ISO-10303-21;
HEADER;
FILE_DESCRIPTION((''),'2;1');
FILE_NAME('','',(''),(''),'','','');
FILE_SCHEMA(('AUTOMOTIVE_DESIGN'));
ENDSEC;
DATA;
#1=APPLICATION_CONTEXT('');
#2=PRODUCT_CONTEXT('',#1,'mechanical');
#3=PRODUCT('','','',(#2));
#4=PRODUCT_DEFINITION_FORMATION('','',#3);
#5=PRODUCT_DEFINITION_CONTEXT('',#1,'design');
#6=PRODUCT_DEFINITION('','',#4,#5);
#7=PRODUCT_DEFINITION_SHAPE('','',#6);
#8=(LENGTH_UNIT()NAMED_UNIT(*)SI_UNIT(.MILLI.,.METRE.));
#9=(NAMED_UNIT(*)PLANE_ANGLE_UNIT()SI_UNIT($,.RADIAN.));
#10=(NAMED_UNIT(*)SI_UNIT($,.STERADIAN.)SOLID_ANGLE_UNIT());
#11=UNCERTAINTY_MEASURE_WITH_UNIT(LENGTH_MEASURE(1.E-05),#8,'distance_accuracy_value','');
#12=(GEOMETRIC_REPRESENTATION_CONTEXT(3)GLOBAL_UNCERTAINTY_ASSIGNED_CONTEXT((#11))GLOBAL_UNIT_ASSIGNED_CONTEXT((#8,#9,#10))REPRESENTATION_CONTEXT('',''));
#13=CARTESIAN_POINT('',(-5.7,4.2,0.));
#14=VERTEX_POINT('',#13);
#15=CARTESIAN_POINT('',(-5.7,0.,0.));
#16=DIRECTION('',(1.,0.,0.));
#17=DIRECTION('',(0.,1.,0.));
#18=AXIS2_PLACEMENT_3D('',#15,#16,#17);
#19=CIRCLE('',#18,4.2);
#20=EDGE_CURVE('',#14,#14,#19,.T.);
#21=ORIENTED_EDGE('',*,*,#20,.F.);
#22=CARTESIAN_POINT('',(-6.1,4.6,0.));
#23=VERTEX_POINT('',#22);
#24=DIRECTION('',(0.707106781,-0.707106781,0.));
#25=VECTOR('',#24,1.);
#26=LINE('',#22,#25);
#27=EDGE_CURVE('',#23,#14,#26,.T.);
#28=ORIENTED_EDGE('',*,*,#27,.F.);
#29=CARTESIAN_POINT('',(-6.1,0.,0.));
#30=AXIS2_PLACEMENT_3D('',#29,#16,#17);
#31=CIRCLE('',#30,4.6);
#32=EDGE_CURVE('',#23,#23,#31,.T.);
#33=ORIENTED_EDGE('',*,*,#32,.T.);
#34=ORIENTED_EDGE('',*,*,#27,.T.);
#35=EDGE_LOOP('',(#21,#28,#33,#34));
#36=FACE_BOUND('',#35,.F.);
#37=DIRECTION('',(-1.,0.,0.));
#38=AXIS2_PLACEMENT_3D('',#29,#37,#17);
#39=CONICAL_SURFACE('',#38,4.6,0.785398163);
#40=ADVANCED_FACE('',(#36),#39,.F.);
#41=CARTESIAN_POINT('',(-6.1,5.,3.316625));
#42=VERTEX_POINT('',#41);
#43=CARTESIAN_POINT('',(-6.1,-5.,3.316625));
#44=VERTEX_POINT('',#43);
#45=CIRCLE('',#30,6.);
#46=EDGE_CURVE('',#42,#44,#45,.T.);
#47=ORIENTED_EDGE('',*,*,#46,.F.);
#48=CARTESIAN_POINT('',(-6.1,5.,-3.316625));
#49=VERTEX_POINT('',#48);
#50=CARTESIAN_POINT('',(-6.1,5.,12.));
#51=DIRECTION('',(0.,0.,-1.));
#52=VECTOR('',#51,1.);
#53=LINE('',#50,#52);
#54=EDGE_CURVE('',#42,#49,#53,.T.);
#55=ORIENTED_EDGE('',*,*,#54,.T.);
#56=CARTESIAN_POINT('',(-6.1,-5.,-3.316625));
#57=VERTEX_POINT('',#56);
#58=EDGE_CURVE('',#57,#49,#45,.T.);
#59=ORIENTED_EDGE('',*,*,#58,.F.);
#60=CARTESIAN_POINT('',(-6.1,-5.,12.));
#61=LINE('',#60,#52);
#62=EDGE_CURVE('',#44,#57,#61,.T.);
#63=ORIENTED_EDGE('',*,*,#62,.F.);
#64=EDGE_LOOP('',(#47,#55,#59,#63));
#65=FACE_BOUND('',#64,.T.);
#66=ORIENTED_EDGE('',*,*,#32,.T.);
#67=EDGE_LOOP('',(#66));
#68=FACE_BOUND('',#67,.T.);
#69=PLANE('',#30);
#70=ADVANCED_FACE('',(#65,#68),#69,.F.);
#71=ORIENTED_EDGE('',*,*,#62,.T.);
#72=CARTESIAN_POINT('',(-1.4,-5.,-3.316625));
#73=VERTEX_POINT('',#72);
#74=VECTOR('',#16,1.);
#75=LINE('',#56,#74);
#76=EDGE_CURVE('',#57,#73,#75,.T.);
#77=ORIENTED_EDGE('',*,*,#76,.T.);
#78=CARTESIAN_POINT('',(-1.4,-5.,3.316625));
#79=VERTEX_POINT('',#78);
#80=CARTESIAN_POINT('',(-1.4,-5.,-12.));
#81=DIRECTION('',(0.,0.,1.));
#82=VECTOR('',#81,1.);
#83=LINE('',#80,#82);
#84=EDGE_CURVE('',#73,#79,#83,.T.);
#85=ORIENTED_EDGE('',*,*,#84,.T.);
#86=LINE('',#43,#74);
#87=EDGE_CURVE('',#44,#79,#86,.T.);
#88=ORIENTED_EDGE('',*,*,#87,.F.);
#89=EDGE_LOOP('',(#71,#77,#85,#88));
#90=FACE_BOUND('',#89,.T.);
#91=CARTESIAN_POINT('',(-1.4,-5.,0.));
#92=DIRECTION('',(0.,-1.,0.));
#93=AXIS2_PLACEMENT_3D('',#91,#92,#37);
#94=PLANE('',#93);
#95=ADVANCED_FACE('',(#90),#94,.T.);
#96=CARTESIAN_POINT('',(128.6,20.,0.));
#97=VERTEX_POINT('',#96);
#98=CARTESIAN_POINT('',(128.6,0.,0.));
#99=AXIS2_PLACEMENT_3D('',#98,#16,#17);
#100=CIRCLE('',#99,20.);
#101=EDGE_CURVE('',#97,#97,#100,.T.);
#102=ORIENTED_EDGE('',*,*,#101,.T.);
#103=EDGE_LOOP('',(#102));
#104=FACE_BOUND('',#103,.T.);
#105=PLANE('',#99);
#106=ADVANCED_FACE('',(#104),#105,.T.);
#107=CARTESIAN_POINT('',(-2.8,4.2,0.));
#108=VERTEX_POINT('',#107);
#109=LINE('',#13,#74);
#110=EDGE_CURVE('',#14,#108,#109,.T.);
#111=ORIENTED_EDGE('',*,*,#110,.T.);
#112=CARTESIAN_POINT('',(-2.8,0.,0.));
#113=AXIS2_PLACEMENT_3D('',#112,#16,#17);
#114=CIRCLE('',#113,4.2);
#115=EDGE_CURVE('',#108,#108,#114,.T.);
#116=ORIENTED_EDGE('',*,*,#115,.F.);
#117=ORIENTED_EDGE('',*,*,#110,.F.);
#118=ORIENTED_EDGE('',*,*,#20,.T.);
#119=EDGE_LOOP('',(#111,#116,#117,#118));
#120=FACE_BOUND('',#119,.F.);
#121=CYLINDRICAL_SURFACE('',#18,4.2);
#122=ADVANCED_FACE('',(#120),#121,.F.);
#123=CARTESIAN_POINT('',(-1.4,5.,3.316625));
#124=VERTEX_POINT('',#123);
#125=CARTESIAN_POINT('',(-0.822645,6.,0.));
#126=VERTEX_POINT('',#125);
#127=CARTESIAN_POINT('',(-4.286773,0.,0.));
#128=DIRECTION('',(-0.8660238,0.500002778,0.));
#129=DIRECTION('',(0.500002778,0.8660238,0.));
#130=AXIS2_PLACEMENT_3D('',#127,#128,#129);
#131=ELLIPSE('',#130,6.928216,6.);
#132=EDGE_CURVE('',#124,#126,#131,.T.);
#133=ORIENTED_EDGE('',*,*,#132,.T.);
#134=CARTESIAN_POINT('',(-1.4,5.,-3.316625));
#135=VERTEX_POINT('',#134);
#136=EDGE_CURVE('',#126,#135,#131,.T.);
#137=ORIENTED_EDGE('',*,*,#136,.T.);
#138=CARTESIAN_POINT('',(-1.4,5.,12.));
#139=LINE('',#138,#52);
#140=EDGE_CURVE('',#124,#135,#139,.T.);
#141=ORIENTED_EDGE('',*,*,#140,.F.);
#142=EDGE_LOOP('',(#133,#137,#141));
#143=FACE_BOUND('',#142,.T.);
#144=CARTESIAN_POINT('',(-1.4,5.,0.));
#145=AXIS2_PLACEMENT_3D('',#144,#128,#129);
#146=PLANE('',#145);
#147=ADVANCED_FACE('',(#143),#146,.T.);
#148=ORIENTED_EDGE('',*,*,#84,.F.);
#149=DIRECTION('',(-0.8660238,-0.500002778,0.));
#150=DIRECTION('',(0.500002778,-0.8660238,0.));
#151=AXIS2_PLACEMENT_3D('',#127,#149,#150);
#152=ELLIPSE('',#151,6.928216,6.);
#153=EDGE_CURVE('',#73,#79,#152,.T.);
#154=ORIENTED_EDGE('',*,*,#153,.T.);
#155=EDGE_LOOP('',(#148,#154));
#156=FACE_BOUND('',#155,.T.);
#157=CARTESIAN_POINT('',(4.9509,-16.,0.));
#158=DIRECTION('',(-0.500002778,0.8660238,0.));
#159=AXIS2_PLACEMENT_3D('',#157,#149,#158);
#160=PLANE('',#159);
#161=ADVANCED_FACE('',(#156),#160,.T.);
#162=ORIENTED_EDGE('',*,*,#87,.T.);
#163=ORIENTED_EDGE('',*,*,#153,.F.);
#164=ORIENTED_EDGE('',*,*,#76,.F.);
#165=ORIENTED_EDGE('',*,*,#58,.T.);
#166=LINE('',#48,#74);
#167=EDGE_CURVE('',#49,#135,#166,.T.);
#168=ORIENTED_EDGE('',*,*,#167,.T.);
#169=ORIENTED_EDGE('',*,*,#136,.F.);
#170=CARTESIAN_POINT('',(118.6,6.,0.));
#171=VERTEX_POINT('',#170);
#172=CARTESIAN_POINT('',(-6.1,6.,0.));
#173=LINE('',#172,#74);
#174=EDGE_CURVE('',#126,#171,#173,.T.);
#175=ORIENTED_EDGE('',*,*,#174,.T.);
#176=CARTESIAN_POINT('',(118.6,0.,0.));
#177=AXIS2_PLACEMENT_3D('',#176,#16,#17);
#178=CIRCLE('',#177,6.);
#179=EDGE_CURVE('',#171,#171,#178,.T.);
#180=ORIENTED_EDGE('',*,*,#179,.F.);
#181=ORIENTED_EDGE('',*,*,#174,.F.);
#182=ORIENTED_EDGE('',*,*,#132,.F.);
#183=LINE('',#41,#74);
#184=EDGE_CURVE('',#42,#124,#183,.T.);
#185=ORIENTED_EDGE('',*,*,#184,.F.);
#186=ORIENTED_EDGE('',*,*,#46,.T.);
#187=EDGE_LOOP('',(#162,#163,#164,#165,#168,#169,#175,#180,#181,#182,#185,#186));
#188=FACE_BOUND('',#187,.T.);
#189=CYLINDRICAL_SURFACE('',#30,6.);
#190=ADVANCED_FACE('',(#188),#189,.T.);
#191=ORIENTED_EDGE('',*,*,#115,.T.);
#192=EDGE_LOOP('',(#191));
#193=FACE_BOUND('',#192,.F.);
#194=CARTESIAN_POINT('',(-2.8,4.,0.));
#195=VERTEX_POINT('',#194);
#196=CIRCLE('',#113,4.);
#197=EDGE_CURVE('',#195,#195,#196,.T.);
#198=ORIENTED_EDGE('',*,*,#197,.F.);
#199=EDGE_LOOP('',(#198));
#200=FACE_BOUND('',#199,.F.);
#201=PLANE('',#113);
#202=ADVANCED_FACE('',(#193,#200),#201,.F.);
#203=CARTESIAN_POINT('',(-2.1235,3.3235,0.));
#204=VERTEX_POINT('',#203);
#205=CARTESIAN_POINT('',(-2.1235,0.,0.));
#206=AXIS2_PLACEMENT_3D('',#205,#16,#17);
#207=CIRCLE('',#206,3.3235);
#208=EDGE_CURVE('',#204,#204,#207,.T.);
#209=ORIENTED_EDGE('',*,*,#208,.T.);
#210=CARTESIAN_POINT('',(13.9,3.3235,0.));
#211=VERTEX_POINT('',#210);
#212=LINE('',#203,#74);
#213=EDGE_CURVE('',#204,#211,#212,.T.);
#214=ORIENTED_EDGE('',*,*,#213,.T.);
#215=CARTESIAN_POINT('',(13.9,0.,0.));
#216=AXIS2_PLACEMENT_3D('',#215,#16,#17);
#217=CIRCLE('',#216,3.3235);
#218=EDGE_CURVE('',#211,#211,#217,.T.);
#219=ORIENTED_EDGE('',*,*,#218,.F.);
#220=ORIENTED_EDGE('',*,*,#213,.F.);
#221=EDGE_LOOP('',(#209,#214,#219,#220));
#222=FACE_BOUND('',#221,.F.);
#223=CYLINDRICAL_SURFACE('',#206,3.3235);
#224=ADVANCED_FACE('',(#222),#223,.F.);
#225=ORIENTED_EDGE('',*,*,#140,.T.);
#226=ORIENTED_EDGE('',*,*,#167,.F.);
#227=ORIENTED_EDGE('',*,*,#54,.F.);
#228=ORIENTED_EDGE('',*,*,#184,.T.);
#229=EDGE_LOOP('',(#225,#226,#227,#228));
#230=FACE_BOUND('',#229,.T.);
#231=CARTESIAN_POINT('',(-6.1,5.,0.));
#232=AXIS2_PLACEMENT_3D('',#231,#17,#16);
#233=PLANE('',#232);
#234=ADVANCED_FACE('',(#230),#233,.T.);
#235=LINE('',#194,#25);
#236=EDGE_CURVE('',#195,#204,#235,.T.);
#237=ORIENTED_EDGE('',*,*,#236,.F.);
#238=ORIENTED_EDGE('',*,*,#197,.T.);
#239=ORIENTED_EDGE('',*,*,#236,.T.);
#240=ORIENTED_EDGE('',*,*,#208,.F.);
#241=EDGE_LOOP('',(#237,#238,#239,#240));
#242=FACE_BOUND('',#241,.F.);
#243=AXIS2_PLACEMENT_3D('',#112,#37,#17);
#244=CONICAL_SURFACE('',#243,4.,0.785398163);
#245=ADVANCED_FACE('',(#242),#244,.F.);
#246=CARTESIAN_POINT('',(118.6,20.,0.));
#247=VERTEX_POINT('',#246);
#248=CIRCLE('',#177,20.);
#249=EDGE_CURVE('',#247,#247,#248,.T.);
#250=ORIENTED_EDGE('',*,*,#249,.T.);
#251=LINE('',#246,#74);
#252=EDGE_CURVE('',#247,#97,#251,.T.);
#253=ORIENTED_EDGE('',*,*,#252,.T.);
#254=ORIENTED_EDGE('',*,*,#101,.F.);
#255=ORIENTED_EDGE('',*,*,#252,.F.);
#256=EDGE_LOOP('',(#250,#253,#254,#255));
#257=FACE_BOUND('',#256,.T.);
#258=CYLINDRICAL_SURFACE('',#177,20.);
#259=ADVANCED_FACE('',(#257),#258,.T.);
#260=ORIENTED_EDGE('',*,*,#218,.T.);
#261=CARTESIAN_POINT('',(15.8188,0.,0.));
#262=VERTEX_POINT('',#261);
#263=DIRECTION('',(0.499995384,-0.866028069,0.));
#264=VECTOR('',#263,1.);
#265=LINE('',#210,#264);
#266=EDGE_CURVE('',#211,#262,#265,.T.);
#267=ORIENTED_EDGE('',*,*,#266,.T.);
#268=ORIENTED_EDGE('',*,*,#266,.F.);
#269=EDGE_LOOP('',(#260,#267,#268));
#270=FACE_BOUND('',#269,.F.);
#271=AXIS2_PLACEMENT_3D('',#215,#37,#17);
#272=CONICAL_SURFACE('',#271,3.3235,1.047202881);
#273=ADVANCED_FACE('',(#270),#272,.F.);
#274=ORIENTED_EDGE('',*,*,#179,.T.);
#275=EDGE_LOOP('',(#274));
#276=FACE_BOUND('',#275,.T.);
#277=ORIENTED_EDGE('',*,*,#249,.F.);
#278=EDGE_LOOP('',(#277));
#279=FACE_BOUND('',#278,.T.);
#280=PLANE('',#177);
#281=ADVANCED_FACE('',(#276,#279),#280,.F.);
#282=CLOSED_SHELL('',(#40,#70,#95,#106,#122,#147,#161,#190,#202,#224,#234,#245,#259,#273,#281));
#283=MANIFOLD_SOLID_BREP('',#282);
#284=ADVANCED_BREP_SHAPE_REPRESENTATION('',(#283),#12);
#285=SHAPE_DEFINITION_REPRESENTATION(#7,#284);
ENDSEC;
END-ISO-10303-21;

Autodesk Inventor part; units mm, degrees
sketch "Sketch_1" plane through (0, 0, 0) normal (0, 0, 1) x (1, 0, 0)
  line L0 (128.6, 0) -> (-6.1, 0)
  line L1 (-6.1, 0) -> (-6.1, 6)
  line L2 (-6.1, 6) -> (128.6, 6)
  line L3 (128.6, 6) -> (128.6, 0)
  line L4 (128.6, 0) -> (-6.1, 0)
revolve "Revolution1" add sketch "Sketch_1" angle 360 about axis through (128.6, 0, 0) along (1, 0, 0)
sketch "Sketch_11" plane through (0, 0, 0) normal (0, 0, 1) x (1, 0, 0)
  line L0 (128.6, 0) -> (118.6, 0)
  line L1 (118.6, 0) -> (118.6, 20)
  line L2 (118.6, 20) -> (128.6, 20)
  line L3 (128.6, 20) -> (128.6, 0)
  line L4 (128.6, 0) -> (118.6, 0)
revolve "Revolution2" add sketch "Sketch_11" angle 360 about axis through (128.6, 0, 0) along (1, 0, 0)
sketch "Sketch_20" plane through (0, 0, 0) normal (0, 0, 1) x (1, 0, 0)
  line L0 (-36.2, -16) -> (4.9509, -16)
  line L1 (4.9509, -16) -> (-1.4, -5)
  line L2 (-1.4, -5) -> (-6.1, -5)
  line L3 (-6.1, -5) -> (-6.1, -10)
  line L4 (-6.1, -10) -> (-30.1, -10)
  line L5 (-30.1, -10) -> (-30.1, 10)
  line L6 (-30.1, 10) -> (-6.1, 10)
  line L7 (-6.1, 10) -> (-6.1, 5)
  line L8 (-6.1, 5) -> (-1.4, 5)
  line L9 (-1.4, 5) -> (4.9509, 16)
  line L10 (4.9509, 16) -> (-36.2, 16)
  line L11 (-36.2, 16) -> (-36.2, -16)
extrude "Extrusion1" cut sketch "Sketch_20" along normal mid plane 24
sketch "Sketch_2" plane through (0, 0, 0) normal (0, 0, 1) x (1, 0, 0)
  line L0 (15.8188, 0) -> (-6.1, 0)
  line L1 (-6.1, 0) -> (-6.1, 4.6)
  line L2 (-6.1, 4.6) -> (-5.7, 4.2)
  line L3 (-5.7, 4.2) -> (-2.8, 4.2)
  line L4 (-2.8, 4.2) -> (-2.8, 4)
  line L5 (-2.8, 4) -> (-2.1235, 3.3235)
  line L6 (-2.1235, 3.3235) -> (13.9, 3.3235)
  line L7 (13.9, 3.3235) -> (15.8188, 0)
  line L8 (15.8188, 0) -> (-6.1, 0)
revolve "Revolution3" cut sketch "Sketch_2" angle 360 about axis through (15.8188, 0, 0) along (1, 0, 0)
thread "Thread1" size "M8x1.25" class "6H" standard "ISO Metric profile" length 12.0235
ref_plane "FDT_PIRODACC_F1_XY" through (-6.1, 0, 0) normal (-1, 0, 0) x (0, 1, 0)
ref_plane "FDT_PIRODACC_F1_YZ" through (-6.1, 0, 0) normal (0, 1, 0) x (0, 0, -1)
ref_plane "FDT_PIRODACC_F1_ZX" through (-6.1, 0, 0) normal (0, 0, -1) x (-1, 0, 0)
ref_plane "NUT1_XY" through (-12.6, 0, 0) normal (1, 0, 0) x (0, 0, -1)
ref_plane "NUT1_YZ" through (-12.6, 0, 0) normal (0, 0, -1) x (0, 1, 0)
ref_plane "NUT1_ZX" through (-12.6, 0, 0) normal (0, 1, 0) x (1, 0, 0)
ref_plane "PISTON_XY" through (128.6, 0, 0) normal (1, 0, 0) x (0, 0, -1)
ref_plane "PISTON_YZ" through (128.6, 0, 0) normal (0, 0, -1) x (0, 1, 0)
ref_plane "PISTON_ZX" through (128.6, 0, 0) normal (0, 1, 0) x (1, 0, 0)
properties part number "536288 ADN-100-P-I_(KS)"
